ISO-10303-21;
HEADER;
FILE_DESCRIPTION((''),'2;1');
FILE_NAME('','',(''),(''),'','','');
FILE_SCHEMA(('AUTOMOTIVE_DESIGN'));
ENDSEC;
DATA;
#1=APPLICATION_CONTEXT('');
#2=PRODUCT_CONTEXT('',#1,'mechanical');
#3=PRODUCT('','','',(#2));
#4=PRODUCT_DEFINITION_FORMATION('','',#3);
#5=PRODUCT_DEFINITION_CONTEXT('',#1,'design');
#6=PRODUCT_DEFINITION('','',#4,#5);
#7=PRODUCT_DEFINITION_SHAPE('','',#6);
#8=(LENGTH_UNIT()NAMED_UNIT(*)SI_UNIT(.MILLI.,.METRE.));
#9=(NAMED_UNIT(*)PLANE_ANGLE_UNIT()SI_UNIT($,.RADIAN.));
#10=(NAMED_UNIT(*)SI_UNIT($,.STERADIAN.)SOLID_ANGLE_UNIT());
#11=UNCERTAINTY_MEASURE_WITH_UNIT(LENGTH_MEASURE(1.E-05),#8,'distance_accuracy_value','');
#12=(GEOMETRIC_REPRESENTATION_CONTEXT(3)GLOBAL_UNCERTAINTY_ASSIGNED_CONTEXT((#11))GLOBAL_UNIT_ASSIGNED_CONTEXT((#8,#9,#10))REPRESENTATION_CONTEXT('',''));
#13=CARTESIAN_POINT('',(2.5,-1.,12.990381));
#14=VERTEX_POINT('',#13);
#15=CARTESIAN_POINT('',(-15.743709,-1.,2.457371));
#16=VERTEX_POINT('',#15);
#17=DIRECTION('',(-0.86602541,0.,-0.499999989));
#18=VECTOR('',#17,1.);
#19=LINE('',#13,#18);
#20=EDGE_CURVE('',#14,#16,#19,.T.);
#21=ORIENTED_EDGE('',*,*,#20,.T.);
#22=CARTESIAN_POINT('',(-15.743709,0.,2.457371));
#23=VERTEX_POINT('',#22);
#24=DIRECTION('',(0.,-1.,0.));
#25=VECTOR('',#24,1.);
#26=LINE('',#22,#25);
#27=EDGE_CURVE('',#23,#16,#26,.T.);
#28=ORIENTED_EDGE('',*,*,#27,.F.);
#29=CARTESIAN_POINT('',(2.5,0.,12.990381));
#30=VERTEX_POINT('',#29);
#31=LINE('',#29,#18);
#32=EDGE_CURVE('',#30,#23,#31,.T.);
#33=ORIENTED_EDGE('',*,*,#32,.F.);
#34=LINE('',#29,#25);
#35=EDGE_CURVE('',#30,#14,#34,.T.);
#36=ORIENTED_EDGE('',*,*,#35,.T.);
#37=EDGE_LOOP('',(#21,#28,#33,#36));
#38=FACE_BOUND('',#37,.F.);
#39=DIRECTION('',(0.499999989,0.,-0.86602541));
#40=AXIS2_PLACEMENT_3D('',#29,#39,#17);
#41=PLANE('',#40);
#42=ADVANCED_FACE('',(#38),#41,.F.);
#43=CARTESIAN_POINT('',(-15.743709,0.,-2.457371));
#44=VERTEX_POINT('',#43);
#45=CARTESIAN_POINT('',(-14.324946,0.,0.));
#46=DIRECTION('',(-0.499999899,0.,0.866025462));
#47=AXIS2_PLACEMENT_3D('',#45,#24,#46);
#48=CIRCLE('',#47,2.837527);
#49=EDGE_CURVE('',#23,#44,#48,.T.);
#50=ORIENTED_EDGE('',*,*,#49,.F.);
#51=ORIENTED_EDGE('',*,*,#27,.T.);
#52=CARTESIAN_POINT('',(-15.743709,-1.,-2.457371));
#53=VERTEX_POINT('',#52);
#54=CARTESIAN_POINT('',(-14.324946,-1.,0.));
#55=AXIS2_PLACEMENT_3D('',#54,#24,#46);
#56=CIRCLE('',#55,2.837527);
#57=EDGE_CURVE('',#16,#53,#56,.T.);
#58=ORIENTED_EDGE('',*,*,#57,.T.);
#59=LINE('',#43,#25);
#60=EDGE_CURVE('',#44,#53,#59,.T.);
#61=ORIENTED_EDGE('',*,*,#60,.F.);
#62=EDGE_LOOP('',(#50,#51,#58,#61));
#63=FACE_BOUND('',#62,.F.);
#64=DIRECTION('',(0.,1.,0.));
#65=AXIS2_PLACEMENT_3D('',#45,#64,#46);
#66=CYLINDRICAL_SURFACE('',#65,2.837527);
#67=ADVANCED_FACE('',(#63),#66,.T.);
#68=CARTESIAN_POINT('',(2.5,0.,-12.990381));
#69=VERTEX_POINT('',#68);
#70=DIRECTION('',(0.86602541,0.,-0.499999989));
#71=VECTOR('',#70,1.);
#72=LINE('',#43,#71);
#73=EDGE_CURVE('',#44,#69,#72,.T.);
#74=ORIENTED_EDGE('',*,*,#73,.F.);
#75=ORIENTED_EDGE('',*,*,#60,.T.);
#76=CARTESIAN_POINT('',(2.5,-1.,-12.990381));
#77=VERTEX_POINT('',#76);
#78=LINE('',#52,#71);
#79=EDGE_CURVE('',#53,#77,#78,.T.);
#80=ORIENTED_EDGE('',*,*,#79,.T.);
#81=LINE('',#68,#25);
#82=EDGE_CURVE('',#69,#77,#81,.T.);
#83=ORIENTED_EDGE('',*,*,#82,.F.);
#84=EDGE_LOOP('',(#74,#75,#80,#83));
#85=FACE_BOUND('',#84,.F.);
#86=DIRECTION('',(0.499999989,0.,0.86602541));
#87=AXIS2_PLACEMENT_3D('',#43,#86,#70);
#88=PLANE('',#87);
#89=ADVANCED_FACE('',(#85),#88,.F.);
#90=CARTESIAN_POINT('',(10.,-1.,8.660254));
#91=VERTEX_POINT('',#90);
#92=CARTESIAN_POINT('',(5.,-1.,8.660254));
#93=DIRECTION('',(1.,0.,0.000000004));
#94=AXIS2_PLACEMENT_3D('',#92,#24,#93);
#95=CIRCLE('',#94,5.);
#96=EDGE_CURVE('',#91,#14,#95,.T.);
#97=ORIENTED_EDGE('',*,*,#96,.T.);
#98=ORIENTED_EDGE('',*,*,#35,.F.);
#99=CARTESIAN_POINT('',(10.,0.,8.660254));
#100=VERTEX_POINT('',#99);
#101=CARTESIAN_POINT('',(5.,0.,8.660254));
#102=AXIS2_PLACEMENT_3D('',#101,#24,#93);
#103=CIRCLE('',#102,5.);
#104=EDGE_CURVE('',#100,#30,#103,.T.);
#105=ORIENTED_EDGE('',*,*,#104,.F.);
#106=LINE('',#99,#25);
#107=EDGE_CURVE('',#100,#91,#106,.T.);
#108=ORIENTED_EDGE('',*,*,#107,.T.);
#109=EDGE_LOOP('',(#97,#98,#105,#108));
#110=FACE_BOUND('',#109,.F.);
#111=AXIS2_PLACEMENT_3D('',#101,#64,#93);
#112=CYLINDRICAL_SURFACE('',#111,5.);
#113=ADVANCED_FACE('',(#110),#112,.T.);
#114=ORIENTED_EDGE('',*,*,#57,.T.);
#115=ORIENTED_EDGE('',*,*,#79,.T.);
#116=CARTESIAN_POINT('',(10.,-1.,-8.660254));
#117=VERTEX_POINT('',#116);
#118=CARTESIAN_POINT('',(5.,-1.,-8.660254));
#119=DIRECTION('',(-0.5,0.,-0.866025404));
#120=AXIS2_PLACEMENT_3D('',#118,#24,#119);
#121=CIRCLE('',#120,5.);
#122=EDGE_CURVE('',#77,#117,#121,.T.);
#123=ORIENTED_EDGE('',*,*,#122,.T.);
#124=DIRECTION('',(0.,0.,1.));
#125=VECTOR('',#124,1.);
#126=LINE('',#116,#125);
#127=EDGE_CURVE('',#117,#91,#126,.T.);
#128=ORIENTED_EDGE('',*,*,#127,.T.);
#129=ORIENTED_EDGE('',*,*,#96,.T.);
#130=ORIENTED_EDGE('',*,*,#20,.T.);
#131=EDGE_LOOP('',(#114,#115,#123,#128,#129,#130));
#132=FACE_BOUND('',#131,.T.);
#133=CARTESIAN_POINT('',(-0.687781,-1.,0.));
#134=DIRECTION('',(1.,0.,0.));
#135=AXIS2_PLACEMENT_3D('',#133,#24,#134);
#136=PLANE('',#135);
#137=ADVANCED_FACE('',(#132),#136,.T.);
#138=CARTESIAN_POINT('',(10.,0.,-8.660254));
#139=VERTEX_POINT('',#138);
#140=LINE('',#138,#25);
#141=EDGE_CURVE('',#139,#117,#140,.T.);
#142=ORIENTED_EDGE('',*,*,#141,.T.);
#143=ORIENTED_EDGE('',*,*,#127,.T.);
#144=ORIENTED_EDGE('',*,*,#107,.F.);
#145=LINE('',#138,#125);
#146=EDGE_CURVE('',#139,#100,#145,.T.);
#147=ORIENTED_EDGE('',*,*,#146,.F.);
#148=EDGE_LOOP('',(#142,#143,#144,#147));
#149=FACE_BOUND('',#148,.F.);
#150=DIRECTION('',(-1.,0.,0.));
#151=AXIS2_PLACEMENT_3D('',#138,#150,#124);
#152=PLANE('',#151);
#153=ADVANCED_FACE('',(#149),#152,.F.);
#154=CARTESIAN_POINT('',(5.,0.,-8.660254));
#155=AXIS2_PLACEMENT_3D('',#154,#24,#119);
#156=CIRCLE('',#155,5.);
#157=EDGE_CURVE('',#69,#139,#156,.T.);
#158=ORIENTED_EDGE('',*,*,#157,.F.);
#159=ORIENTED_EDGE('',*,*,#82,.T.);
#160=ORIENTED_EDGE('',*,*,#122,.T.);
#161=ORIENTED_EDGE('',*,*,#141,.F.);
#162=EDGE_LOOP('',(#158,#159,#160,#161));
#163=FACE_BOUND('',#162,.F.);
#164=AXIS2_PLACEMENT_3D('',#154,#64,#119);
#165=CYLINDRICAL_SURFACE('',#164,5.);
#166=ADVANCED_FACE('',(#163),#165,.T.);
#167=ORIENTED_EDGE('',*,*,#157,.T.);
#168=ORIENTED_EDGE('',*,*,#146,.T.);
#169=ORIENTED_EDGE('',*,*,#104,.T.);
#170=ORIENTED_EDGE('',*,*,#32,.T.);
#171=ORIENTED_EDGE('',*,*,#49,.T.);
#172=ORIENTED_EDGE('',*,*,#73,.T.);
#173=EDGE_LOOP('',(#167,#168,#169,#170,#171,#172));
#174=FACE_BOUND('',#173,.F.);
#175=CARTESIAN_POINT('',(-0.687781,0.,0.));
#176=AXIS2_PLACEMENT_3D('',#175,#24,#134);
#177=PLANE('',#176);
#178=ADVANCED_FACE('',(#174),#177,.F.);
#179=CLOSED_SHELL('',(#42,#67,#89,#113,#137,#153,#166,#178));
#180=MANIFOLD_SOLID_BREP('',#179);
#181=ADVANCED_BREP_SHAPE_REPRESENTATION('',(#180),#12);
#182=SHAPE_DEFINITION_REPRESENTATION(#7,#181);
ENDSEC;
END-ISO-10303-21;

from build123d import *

# Parameters (mm, degrees)
F1_DEPTH = 1


with BuildPart() as f1:
    # F0 (on Front) → F1 (new body)
    with BuildSketch(Plane.XZ):
        with BuildLine():
            Line((10, -8.660254), (10, 8.660254))
            ThreePointArc((10, 8.660254), (7.5, 12.990381), (2.5, 12.990381))
            Line((2.5, 12.990381), (-15.743709, 2.457371))
            ThreePointArc((-15.743709, 2.457371), (-17.162473, 0), (-15.743709, -2.457371))
            Line((-15.743709, -2.457371), (2.5, -12.990381))
            ThreePointArc((2.5, -12.990381), (7.5, -12.990381), (10, -8.660254))
        make_face()
    extrude(amount=F1_DEPTH)


solid = f1.part
